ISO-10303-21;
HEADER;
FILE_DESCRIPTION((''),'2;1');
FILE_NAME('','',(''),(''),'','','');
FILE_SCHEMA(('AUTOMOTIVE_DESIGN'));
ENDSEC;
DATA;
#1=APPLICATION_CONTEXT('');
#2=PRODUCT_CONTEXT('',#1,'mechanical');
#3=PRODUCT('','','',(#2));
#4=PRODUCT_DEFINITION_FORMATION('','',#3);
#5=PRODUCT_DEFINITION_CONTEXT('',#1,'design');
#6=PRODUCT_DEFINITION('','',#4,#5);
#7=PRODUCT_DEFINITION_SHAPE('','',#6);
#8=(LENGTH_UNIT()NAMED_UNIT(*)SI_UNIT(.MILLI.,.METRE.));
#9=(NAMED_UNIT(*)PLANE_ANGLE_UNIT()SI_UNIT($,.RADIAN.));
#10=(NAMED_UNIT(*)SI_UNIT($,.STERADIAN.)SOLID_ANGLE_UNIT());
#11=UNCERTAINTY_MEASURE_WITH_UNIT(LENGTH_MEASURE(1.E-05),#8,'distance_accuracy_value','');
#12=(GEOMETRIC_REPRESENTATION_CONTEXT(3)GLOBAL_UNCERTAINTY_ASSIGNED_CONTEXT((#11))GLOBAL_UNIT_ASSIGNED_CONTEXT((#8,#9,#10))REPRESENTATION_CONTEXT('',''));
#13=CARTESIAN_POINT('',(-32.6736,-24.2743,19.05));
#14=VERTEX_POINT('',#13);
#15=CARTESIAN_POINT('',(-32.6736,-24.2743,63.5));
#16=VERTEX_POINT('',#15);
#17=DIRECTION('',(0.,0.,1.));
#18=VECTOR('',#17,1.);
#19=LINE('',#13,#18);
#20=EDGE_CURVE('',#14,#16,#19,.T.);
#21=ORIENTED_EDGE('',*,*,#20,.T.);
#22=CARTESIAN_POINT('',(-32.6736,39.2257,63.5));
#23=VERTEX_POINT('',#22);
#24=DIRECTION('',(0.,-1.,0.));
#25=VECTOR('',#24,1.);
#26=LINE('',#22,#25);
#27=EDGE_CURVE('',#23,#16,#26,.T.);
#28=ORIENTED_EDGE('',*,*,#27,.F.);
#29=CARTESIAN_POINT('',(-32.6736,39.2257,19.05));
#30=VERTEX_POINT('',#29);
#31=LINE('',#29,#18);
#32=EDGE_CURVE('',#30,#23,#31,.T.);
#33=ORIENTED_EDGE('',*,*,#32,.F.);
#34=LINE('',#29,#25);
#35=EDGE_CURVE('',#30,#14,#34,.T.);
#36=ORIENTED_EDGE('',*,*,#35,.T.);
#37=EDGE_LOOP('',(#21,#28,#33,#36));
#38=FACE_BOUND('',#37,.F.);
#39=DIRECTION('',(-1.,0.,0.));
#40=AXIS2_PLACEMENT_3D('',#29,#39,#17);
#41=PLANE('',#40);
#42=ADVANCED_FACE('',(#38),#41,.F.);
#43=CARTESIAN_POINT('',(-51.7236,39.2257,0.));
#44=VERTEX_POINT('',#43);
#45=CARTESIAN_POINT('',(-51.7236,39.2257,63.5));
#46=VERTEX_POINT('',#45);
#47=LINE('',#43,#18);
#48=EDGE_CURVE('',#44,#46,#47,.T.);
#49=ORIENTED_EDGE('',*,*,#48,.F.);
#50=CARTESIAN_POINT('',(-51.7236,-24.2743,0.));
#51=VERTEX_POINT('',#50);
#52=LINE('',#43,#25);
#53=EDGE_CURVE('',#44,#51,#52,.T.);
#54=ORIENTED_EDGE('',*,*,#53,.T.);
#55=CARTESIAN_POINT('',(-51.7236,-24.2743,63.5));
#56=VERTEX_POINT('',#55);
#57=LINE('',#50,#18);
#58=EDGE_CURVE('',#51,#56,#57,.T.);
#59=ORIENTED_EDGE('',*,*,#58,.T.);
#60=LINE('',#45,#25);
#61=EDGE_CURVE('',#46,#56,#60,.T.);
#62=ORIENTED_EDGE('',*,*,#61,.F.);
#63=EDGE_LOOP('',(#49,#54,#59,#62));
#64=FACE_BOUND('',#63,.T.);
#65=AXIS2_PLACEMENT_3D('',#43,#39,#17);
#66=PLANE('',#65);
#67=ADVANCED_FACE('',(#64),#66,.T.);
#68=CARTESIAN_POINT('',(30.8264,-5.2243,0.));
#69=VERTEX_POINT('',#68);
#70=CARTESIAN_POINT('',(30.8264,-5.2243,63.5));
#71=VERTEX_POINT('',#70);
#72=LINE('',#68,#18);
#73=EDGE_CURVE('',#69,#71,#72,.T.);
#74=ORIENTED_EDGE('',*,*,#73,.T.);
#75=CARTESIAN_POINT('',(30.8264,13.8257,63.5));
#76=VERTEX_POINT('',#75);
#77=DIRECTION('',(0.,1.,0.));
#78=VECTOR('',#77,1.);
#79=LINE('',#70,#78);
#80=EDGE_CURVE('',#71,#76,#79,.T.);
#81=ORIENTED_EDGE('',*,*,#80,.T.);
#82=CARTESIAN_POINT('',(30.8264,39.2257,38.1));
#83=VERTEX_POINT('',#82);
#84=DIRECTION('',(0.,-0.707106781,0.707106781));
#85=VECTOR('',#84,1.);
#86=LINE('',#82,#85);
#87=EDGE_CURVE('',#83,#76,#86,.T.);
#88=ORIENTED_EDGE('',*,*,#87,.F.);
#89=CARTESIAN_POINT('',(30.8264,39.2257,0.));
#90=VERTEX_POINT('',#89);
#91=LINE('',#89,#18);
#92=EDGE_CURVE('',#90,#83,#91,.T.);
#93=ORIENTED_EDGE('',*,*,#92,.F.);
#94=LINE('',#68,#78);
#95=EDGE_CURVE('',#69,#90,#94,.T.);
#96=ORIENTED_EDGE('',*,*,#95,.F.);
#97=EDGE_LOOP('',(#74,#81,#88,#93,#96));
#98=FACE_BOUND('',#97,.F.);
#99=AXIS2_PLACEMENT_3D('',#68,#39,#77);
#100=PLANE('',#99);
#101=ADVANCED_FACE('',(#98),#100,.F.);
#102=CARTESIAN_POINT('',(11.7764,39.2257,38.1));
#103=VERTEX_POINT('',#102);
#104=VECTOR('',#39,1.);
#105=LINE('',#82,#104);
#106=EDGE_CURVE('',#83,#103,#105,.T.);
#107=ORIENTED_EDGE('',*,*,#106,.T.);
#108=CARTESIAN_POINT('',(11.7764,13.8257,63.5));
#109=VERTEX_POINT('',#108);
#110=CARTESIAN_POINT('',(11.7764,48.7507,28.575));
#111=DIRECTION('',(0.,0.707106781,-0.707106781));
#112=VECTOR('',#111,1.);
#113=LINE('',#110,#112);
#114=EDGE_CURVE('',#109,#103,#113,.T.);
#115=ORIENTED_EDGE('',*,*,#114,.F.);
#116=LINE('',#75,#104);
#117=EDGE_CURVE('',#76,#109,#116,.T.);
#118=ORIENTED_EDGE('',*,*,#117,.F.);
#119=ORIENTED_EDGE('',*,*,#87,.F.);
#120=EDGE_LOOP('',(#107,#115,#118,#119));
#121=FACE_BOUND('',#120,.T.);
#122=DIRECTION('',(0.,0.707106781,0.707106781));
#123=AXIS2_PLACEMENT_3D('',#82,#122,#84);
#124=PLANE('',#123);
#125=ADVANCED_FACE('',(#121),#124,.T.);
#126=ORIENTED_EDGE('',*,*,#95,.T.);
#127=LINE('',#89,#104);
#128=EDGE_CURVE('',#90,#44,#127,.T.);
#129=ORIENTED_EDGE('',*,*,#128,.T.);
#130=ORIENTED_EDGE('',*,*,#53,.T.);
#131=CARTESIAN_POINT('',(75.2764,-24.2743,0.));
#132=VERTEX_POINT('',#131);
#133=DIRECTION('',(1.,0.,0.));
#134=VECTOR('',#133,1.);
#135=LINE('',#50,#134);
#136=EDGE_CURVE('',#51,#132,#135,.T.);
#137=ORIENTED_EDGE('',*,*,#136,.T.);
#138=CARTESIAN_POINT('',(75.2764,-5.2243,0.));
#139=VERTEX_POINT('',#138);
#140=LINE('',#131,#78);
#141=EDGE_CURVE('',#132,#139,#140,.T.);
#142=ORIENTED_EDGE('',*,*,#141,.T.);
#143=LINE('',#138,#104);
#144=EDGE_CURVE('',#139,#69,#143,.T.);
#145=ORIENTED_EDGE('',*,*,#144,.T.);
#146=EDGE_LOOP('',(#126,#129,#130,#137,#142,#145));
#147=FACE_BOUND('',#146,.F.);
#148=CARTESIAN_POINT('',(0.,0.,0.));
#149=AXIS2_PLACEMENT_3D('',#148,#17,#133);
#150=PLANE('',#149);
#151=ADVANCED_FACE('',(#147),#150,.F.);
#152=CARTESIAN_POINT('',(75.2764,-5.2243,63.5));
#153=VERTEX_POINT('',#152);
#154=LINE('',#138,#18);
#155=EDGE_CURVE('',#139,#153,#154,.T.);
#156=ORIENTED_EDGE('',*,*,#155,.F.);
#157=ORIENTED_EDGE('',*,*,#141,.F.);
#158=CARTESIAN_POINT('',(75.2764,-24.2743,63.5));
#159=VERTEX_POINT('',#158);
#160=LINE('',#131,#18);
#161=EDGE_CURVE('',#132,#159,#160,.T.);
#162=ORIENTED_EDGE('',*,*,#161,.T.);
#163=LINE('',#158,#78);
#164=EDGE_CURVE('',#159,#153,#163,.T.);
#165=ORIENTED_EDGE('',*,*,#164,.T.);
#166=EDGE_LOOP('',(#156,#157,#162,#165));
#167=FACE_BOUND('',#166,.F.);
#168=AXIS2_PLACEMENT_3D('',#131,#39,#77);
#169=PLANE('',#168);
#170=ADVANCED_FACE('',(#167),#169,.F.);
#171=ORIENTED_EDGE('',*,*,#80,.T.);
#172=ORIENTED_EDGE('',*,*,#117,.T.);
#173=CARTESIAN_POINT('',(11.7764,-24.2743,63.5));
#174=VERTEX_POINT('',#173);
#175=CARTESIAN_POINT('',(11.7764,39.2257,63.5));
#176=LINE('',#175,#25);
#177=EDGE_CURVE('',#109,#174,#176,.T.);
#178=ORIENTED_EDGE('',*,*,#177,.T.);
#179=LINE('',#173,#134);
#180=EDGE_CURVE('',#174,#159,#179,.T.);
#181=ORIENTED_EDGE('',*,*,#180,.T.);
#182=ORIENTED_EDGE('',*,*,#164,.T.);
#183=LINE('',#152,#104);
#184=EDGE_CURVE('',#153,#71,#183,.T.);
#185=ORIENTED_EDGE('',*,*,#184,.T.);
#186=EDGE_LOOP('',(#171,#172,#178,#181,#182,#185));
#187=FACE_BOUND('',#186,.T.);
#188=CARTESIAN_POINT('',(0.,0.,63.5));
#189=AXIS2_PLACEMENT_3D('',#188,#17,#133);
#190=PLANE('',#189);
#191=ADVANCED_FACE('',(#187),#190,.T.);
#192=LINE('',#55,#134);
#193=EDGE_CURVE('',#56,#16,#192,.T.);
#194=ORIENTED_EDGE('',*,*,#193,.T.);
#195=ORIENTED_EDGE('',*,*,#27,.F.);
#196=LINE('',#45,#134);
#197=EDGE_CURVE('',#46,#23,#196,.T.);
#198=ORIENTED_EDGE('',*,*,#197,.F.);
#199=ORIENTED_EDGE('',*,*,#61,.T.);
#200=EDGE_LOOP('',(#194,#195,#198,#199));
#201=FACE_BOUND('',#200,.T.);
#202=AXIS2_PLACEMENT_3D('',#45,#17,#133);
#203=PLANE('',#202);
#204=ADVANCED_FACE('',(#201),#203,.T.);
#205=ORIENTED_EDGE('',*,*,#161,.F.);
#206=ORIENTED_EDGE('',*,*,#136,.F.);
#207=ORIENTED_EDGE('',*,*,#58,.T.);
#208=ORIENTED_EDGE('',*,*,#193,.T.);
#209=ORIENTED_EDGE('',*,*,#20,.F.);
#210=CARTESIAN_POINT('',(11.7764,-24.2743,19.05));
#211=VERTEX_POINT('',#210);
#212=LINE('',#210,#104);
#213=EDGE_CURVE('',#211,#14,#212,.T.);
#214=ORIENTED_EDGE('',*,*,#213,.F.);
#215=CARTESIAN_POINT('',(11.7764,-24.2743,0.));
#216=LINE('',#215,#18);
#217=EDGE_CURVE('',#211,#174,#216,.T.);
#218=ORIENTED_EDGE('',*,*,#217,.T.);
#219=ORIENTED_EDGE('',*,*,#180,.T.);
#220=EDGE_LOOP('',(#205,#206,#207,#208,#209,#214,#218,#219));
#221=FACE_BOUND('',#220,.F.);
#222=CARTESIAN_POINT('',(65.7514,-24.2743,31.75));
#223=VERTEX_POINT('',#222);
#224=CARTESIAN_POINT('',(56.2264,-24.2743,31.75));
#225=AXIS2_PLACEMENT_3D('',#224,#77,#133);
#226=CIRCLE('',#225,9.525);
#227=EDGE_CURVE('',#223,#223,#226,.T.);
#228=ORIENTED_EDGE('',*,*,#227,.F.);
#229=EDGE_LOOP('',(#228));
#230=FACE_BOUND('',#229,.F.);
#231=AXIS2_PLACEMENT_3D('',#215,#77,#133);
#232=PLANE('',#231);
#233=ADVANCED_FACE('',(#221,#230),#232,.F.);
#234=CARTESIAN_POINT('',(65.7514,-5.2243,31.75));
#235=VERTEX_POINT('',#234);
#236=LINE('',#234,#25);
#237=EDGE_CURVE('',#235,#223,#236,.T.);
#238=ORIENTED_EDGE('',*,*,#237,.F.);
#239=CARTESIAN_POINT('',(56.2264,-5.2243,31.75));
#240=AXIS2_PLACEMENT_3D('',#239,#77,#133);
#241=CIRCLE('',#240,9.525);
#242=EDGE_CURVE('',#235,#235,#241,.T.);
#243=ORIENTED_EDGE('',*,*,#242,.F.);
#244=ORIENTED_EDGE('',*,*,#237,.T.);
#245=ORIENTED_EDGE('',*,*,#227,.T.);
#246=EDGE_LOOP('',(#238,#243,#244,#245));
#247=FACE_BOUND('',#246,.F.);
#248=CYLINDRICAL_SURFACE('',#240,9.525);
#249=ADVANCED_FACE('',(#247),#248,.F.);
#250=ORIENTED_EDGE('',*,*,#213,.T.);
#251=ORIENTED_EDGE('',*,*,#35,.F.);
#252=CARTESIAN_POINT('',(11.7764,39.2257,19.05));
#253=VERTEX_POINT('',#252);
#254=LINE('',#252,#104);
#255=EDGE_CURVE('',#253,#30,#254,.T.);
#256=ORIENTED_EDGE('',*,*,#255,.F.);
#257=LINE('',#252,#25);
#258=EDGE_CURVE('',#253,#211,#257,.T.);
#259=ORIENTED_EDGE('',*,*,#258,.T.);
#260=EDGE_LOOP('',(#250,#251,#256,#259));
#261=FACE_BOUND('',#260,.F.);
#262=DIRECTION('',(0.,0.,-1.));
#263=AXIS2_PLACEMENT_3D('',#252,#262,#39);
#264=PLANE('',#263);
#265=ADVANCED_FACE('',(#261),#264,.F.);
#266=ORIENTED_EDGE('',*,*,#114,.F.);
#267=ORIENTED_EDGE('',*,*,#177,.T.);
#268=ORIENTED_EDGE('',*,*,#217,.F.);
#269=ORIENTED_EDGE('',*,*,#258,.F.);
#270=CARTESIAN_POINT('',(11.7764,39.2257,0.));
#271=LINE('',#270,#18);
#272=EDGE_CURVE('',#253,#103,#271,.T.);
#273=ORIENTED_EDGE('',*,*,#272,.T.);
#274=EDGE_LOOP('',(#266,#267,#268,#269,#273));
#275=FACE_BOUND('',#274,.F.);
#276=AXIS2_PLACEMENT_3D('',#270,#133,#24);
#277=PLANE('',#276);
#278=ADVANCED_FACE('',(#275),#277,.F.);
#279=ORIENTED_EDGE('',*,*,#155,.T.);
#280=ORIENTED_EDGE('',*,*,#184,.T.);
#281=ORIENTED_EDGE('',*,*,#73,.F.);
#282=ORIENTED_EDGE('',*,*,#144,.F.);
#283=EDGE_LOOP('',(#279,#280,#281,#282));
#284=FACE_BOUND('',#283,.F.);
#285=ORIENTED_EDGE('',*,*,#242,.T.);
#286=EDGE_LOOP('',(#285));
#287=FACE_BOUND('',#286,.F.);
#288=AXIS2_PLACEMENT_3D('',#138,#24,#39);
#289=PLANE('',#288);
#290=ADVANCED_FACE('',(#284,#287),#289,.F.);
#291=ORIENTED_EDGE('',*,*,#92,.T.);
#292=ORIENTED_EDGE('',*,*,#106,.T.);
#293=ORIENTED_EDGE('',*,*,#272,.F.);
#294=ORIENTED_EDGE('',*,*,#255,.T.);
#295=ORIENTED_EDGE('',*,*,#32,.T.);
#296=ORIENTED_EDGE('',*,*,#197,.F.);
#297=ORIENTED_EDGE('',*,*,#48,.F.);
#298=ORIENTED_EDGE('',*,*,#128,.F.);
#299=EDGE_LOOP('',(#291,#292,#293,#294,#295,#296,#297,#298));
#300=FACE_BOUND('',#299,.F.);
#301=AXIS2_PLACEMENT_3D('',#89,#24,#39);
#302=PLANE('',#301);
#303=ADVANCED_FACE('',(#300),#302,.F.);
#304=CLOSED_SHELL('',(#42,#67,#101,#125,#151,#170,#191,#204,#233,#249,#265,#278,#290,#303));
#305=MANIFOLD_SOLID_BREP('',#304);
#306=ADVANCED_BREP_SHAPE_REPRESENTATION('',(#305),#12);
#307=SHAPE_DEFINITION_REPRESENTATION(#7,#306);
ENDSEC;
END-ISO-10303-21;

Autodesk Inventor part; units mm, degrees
ref_plane "YZ Plane" through (0, 0, 0) normal (1, 0, 0) x (0, 1, 0)
ref_plane "XZ Plane" through (0, 0, 0) normal (0, 1, 0) x (-1, 0, 0)
ref_plane "XY Plane" through (0, 0, 0) normal (0, 0, 1) x (1, 0, 0)
sketch "Sketch1" plane through (0, 0, 0) normal (0, 0, 1) x (1, 0, 0)
  line L0 (11.7764, -24.2743) -> (75.2764, -24.2743)
  line L1 (75.2764, -24.2743) -> (75.2764, -5.2243)
  line L2 (75.2764, -5.2243) -> (30.8264, -5.2243)
  line L3 (30.8264, -5.2243) -> (30.8264, 39.2257)
  line L4 (30.8264, 39.2257) -> (11.7764, 39.2257)
  line L5 (11.7764, 39.2257) -> (11.7764, -24.2743)
  point P0 (0, 0)
  dimension "d0" = 19.05
  dimension "d1" = 63.5
  dimension "d2" = 63.5
  dimension "d3" = 19.05
extrude "Extrusion1" add sketch "Sketch1" along normal blind 63.5
sketch "Sketch2" plane through (11.7764, 39.2257, 0) normal (0, 1, 0) x (1, 0, 0)
  line L0 (0, 0) -> (-63.5, 0)
  line L1 (-63.5, 0) -> (-63.5, -63.5)
  line L2 (-63.5, -63.5) -> (-44.45, -63.5)
  line L3 (0, 0) -> (0, -19.05)
  line L4 (0, -19.05) -> (-44.45, -19.05)
  line L5 (-44.45, -19.05) -> (-44.45, -63.5)
  line L6 (0, 0) -> (0, -63.5) projected
  point P0 (-11.7764, 0)
  dimension "d6" = 63.5
  dimension "d7" = 63.5
  dimension "d8" = 19.05
  dimension "d9" = 19.05
  dimension "d10" = 0
  dimension "d11" = 0
extrude "Extrusion2" add sketch "Sketch2" against normal blind 63.5
sketch "Sketch3" plane through (30.8264, -5.2243, 0) normal (0, 1, 0) x (1, 0, 0)
  circle A0 centre (25.4, -31.75) radius 9.525
  line L0 (44.45, 0) -> (44.45, -63.5) projected
  line L1 (44.45, 0) -> (0, 0) projected
  point P0 (-30.8264, 0)
  dimension "d14" = 19.05
  dimension "d15" = 19.05
  dimension "d16" = 31.75
extrude "Extrusion3" cut sketch "Sketch3" against normal through all
sketch "Sketch4" plane through (30.8264, -5.2243, 0) normal (1, 0, 0) x (0, 0, -1)
  point P0 (0, 5.2243)
sketch "Sketch5" plane through (30.8264, -5.2243, 0) normal (1, 0, 0) x (0, 0, -1)
  point P0 (0, 5.2243)
sketch "Sketch6" plane through (30.8264, -5.2243, 0) normal (1, 0, 0) x (0, 0, -1)
  line L0 (-63.5, 44.45) -> (-38.1, 44.45)
  line L1 (0, 44.45) -> (-63.5, 44.45) projected
  line L2 (-38.1, 44.45) -> (-63.5, 19.05)
  line L3 (-63.5, 19.05) -> (-63.5, 44.45)
  point P0 (0, 5.2243)
  dimension "d19" = 25.4
  dimension "d20" = 45
extrude "Extrusion4" cut sketch "Sketch6" against normal up to next
properties part number "2-4"
